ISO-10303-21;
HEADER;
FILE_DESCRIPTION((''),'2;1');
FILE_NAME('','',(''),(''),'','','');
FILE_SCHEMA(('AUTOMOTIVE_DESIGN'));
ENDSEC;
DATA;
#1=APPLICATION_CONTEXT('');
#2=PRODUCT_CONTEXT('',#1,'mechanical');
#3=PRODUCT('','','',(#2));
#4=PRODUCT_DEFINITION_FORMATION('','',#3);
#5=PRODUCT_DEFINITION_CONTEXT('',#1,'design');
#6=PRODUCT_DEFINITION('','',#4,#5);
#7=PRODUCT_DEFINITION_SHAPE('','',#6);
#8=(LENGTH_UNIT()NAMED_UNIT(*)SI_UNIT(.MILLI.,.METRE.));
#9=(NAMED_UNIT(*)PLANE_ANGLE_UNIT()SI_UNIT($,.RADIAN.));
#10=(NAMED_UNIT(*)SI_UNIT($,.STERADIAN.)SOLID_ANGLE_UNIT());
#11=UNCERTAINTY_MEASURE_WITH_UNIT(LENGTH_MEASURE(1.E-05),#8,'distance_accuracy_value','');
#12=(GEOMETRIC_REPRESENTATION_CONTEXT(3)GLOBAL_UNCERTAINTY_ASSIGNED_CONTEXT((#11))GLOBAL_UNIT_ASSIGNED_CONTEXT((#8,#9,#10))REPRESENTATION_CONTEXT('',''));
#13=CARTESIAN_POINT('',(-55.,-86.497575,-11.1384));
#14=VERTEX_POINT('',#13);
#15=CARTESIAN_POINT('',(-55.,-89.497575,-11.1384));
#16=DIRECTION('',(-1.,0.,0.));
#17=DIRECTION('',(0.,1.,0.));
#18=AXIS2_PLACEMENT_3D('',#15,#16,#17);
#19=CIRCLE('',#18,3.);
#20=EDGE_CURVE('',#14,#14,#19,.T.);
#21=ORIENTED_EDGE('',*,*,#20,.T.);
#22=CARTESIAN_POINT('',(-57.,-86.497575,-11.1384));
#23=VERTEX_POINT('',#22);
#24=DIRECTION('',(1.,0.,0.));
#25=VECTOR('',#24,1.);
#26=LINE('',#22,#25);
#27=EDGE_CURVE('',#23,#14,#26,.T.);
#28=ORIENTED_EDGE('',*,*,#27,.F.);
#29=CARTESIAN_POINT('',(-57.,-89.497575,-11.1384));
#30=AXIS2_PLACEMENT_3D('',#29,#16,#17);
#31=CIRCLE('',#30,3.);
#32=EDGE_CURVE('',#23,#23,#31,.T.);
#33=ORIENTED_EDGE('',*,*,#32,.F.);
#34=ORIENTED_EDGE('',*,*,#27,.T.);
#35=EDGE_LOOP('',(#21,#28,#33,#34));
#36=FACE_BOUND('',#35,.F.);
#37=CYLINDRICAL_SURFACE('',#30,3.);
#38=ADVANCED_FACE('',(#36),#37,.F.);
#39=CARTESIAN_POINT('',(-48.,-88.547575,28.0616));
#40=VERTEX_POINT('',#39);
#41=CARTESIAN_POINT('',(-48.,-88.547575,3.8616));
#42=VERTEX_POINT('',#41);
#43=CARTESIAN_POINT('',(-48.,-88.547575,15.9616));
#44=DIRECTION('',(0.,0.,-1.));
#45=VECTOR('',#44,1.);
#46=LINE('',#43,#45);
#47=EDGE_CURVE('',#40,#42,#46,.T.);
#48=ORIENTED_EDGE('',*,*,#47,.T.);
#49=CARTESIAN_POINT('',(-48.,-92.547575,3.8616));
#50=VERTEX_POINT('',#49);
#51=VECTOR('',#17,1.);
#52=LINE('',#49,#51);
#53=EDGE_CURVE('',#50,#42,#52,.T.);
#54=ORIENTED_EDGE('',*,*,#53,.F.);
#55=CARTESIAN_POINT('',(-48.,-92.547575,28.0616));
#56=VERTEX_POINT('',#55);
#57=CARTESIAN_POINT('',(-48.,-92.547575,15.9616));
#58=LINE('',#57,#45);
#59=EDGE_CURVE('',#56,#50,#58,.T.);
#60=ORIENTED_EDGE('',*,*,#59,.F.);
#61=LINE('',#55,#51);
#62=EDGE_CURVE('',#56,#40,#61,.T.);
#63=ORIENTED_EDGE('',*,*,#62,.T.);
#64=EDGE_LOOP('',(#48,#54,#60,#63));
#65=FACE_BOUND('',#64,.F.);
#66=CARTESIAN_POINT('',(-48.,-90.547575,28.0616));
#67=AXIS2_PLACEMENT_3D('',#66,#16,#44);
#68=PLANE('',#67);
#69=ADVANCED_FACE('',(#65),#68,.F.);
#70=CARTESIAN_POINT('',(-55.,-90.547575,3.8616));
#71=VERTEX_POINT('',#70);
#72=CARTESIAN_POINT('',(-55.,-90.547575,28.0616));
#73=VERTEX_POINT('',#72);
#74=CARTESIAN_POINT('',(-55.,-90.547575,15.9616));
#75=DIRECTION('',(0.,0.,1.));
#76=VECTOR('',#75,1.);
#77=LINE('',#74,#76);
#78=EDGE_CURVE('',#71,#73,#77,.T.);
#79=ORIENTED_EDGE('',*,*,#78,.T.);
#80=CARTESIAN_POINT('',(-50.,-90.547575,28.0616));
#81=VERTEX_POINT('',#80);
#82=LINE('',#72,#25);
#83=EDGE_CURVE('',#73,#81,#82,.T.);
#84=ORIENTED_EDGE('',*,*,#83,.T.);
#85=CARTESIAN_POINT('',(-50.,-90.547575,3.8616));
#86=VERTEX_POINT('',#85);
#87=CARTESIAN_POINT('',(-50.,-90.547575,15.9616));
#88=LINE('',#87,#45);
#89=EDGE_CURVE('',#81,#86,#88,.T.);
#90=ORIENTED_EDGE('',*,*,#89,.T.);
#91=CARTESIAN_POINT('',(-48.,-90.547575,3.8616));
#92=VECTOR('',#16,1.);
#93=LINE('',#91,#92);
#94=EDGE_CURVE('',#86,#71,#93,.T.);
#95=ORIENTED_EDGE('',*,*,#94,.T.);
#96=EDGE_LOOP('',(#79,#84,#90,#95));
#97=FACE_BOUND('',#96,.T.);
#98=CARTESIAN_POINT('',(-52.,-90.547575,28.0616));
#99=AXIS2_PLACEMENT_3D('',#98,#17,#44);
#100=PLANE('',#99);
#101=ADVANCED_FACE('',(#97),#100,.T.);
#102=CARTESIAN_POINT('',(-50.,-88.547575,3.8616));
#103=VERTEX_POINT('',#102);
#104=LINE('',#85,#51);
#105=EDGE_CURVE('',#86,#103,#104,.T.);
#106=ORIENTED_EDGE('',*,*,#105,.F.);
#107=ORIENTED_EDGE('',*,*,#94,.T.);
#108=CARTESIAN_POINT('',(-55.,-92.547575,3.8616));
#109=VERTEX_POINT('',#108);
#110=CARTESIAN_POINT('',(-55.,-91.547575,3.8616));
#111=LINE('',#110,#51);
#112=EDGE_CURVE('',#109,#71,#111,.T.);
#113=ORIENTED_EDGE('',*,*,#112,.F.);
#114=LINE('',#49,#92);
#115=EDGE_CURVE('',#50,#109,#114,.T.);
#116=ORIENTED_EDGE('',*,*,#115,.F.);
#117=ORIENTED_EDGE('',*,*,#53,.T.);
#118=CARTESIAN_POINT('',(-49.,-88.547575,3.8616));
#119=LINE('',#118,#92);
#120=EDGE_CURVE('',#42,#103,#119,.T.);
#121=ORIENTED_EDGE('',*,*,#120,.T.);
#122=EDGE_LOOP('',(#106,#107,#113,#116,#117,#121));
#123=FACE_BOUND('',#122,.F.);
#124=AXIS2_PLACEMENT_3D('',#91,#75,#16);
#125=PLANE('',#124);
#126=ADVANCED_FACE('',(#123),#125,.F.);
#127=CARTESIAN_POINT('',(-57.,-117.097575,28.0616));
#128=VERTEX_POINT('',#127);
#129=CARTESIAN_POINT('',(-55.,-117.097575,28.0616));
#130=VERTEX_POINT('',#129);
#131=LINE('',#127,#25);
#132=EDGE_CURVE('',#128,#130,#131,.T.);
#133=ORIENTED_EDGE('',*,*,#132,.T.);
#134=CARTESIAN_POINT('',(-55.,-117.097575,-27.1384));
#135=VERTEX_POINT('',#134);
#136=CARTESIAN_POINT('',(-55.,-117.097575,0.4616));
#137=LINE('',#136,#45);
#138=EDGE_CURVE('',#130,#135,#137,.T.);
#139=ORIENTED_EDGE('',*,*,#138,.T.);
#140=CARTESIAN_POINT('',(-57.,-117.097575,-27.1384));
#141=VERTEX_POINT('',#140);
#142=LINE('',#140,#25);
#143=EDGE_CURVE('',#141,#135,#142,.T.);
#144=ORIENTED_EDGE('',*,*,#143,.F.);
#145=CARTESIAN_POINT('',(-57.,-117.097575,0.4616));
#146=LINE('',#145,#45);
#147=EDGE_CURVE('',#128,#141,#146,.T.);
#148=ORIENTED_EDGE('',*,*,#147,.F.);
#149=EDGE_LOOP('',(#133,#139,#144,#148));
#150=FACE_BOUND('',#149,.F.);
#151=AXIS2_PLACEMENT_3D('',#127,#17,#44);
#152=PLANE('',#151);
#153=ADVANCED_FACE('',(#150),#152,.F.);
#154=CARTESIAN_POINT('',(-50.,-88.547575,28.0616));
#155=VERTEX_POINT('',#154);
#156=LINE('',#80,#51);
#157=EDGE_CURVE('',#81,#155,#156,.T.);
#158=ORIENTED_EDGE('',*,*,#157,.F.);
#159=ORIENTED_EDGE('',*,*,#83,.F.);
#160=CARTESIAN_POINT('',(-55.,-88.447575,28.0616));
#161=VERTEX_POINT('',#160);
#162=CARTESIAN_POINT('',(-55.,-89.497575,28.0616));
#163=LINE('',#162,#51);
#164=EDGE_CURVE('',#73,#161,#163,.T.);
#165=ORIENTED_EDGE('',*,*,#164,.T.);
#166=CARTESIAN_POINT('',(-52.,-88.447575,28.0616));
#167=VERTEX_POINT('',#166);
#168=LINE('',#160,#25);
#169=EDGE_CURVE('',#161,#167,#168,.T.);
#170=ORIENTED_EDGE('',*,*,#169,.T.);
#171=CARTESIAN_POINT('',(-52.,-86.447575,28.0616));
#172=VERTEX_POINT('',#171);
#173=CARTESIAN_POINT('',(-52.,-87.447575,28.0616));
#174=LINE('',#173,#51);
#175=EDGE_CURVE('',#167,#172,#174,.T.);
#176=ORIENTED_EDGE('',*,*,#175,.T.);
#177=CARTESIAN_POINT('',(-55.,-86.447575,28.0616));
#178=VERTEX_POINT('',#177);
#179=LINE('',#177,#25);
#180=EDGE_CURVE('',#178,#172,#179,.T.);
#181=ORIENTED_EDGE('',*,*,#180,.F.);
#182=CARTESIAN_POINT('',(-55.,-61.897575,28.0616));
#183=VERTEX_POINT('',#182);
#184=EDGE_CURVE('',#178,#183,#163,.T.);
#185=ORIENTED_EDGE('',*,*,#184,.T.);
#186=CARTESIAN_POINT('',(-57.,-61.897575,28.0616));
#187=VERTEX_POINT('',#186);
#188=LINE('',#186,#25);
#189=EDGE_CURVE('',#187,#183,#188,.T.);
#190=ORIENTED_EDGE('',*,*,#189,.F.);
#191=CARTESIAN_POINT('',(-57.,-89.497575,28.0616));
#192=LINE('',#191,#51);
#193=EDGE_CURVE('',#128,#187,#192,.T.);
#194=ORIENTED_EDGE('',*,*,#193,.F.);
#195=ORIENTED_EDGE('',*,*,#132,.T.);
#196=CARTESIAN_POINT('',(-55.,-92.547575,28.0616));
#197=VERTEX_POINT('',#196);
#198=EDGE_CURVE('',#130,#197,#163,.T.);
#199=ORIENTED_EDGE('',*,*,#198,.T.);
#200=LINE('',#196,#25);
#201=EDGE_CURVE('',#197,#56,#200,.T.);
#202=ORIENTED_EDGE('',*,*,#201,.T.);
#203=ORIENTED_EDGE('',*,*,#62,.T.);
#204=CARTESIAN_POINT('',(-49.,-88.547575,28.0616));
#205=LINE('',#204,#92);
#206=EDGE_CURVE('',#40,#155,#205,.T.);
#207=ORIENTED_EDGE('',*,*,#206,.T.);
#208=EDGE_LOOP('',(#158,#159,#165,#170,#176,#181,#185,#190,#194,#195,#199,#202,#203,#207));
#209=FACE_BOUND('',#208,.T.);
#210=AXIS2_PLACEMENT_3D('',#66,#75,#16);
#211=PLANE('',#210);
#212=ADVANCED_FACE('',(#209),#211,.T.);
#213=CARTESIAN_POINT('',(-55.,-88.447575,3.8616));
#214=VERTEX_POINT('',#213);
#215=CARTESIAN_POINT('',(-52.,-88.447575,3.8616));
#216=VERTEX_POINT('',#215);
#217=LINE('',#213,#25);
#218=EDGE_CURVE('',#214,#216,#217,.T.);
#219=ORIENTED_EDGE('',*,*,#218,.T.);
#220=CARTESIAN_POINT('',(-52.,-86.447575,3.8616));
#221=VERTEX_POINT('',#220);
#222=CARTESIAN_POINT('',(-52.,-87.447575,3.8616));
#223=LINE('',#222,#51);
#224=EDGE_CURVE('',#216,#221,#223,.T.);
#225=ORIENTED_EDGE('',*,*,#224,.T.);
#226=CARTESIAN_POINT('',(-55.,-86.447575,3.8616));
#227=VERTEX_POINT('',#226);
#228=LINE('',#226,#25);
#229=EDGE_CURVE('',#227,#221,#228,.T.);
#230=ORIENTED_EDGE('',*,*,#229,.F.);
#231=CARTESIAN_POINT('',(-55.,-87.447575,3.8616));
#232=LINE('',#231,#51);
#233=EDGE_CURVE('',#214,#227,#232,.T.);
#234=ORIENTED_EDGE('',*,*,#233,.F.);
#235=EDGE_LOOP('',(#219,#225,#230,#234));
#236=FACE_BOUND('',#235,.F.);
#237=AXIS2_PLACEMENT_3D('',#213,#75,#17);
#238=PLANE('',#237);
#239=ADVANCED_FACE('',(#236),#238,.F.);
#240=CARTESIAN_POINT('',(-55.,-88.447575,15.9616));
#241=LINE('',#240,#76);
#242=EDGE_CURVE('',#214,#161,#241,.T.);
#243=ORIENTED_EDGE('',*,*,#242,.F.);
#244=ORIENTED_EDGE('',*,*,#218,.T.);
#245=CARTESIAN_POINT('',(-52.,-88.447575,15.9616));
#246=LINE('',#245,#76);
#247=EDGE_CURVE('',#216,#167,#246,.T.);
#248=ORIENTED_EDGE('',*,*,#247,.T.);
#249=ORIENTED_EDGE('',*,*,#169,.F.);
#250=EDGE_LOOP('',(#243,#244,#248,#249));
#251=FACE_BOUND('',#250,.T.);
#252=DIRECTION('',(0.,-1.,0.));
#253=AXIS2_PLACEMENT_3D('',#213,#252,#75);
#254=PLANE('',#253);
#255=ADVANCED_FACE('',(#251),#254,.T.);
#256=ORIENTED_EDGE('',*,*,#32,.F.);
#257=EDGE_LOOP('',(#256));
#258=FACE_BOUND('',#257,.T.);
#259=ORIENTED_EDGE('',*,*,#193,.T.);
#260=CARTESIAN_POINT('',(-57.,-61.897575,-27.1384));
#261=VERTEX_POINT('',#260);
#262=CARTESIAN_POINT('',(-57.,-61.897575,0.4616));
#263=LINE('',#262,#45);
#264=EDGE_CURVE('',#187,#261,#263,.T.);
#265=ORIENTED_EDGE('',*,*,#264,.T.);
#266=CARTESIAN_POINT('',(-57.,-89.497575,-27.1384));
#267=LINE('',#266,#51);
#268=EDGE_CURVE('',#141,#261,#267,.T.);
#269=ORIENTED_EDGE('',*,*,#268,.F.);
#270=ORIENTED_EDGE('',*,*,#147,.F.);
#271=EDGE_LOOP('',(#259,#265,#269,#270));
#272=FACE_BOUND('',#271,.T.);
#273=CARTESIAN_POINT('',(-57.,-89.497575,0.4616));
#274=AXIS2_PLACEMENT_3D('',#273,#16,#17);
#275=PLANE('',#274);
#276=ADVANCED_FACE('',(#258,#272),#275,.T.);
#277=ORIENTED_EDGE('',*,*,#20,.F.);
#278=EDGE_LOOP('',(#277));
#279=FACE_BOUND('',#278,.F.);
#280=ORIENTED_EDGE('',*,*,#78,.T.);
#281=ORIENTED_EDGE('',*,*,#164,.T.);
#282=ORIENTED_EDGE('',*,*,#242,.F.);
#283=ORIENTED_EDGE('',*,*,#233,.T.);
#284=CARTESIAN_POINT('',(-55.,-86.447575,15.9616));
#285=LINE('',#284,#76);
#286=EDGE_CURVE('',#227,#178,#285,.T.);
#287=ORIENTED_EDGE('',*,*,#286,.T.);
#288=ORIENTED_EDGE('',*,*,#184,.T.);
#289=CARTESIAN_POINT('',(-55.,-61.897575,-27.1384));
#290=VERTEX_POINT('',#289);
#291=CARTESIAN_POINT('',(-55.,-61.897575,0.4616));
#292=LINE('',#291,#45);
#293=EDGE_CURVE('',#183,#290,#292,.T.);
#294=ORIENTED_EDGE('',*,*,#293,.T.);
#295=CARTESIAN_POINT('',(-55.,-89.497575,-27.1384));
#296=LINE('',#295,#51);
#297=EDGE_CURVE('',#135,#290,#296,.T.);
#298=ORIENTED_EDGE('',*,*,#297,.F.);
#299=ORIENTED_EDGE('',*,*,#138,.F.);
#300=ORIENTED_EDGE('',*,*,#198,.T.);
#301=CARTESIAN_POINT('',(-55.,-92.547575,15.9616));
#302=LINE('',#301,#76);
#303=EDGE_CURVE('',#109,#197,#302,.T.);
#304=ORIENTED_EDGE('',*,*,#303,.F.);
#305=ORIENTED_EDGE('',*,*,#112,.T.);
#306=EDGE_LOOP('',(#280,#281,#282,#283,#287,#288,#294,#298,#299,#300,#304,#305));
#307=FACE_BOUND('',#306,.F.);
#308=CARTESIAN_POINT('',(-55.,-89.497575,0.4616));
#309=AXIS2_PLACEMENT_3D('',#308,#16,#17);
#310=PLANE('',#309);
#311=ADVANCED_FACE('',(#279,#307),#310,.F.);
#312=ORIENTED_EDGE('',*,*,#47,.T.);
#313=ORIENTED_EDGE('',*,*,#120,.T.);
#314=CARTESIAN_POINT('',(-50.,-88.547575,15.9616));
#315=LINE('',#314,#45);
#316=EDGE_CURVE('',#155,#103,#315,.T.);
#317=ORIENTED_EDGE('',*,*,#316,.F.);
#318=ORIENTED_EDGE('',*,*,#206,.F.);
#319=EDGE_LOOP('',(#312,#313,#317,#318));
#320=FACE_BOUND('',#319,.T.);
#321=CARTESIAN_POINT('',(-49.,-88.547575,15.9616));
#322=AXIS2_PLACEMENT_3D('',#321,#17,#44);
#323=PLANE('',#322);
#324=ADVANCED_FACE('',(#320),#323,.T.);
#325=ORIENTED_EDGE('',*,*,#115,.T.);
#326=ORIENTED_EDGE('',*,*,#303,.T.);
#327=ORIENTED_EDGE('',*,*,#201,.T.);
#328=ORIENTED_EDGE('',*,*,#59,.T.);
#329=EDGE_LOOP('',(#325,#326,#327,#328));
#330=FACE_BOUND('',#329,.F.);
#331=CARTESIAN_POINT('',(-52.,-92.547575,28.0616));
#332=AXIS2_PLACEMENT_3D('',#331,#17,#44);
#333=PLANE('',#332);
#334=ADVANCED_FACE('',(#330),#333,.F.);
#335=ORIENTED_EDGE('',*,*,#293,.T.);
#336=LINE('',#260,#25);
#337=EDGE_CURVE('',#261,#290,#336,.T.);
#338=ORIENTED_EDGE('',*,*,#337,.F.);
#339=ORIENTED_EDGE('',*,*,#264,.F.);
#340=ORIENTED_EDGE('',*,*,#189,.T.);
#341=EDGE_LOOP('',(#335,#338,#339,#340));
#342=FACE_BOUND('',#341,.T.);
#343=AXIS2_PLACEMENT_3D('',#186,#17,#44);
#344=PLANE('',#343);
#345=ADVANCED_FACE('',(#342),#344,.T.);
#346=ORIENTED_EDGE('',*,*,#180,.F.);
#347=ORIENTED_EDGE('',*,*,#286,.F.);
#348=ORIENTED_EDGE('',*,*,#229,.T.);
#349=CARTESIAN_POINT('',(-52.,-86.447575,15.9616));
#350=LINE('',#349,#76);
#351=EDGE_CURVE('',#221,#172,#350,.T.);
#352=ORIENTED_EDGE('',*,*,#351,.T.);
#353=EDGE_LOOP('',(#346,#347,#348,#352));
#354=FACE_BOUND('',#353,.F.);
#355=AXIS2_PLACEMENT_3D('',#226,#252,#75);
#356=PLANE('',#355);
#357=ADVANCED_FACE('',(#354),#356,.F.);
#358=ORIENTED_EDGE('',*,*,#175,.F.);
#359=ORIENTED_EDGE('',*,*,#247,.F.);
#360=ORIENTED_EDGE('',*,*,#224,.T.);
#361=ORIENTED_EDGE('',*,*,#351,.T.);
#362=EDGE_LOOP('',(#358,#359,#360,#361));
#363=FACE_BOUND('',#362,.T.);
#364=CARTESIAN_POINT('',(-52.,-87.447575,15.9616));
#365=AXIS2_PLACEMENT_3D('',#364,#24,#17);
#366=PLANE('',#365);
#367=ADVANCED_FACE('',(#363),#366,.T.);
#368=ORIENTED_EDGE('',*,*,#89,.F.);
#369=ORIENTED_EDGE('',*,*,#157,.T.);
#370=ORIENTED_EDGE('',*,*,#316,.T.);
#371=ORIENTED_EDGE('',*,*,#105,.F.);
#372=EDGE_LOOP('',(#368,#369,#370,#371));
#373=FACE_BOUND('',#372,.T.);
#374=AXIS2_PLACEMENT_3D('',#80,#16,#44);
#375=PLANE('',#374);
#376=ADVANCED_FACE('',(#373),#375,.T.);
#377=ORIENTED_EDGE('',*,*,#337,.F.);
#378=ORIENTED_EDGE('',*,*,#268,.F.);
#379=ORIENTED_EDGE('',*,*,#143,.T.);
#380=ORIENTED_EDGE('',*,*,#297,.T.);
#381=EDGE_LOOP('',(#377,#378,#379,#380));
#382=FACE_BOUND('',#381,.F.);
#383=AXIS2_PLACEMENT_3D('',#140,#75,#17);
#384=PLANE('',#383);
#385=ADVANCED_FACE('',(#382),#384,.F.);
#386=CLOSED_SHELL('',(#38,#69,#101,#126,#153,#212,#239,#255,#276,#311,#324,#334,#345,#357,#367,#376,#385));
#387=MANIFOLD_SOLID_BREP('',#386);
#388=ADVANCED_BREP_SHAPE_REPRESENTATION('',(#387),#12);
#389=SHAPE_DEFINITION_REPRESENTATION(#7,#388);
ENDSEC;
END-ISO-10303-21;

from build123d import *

# Parameters (mm, degrees)
SKETCH011_W     = 55.2
SKETCH011_H     = 55.2
SKETCH011_R     = 3
PAD007_DEPTH    = 2
SKETCH012_W     = 2
SKETCH012_H     = 24.2
PAD008_DEPTH    = 3
PAD008_FACE17_W = 2
PAD008_FACE17_H = 24.2
PAD010_DEPTH    = 4
SKETCH013_W     = 24.2
SKETCH013_H     = 2
PAD011_DEPTH    = 2


with BuildPart() as part:
    # Sketch011 (on DatumPlane) → Pad007 (new body)
    with BuildSketch(Plane(origin=(-57, 0, 0), x_dir=(0, 1, 0), z_dir=(-1, 0, 0))):
        with Locations((-89.497575, -0.4616)):
            Rectangle(SKETCH011_W, SKETCH011_H)
        with Locations((-89.497575, 11.1384)):
            Circle(SKETCH011_R, mode=Mode.SUBTRACT)
    extrude(amount=-PAD007_DEPTH)

    # Sketch012 (on Face7 of Pad007) → Pad008 (join)
    with BuildSketch(Plane.YZ.offset(-55)):
        with Locations((-87.447575, 15.9616)):
            Rectangle(SKETCH012_W, SKETCH012_H)
        with Locations((-91.547575, 15.9616)):
            Rectangle(SKETCH012_W, SKETCH012_H)
    extrude(amount=PAD008_DEPTH)

    # Pad008 Face17 → Pad010 (add)
    with BuildSketch(Plane(origin=(-52, -91.547575, 15.9616), x_dir=(0, -1, 0), z_dir=(1, 0, 0))):
        Rectangle(PAD008_FACE17_W, PAD008_FACE17_H)
    extrude(amount=PAD010_DEPTH)

    # Sketch013 (on Face20 of Pad010) → Pad011 (join)
    with BuildSketch(Plane(origin=(-57, -90.547575, 0), x_dir=(0, 0, -1), z_dir=(0, 1, 0))):
        with Locations((-15.9616, -8)):
            Rectangle(SKETCH013_W, SKETCH013_H)
    extrude(amount=PAD011_DEPTH)


solid = part.part
